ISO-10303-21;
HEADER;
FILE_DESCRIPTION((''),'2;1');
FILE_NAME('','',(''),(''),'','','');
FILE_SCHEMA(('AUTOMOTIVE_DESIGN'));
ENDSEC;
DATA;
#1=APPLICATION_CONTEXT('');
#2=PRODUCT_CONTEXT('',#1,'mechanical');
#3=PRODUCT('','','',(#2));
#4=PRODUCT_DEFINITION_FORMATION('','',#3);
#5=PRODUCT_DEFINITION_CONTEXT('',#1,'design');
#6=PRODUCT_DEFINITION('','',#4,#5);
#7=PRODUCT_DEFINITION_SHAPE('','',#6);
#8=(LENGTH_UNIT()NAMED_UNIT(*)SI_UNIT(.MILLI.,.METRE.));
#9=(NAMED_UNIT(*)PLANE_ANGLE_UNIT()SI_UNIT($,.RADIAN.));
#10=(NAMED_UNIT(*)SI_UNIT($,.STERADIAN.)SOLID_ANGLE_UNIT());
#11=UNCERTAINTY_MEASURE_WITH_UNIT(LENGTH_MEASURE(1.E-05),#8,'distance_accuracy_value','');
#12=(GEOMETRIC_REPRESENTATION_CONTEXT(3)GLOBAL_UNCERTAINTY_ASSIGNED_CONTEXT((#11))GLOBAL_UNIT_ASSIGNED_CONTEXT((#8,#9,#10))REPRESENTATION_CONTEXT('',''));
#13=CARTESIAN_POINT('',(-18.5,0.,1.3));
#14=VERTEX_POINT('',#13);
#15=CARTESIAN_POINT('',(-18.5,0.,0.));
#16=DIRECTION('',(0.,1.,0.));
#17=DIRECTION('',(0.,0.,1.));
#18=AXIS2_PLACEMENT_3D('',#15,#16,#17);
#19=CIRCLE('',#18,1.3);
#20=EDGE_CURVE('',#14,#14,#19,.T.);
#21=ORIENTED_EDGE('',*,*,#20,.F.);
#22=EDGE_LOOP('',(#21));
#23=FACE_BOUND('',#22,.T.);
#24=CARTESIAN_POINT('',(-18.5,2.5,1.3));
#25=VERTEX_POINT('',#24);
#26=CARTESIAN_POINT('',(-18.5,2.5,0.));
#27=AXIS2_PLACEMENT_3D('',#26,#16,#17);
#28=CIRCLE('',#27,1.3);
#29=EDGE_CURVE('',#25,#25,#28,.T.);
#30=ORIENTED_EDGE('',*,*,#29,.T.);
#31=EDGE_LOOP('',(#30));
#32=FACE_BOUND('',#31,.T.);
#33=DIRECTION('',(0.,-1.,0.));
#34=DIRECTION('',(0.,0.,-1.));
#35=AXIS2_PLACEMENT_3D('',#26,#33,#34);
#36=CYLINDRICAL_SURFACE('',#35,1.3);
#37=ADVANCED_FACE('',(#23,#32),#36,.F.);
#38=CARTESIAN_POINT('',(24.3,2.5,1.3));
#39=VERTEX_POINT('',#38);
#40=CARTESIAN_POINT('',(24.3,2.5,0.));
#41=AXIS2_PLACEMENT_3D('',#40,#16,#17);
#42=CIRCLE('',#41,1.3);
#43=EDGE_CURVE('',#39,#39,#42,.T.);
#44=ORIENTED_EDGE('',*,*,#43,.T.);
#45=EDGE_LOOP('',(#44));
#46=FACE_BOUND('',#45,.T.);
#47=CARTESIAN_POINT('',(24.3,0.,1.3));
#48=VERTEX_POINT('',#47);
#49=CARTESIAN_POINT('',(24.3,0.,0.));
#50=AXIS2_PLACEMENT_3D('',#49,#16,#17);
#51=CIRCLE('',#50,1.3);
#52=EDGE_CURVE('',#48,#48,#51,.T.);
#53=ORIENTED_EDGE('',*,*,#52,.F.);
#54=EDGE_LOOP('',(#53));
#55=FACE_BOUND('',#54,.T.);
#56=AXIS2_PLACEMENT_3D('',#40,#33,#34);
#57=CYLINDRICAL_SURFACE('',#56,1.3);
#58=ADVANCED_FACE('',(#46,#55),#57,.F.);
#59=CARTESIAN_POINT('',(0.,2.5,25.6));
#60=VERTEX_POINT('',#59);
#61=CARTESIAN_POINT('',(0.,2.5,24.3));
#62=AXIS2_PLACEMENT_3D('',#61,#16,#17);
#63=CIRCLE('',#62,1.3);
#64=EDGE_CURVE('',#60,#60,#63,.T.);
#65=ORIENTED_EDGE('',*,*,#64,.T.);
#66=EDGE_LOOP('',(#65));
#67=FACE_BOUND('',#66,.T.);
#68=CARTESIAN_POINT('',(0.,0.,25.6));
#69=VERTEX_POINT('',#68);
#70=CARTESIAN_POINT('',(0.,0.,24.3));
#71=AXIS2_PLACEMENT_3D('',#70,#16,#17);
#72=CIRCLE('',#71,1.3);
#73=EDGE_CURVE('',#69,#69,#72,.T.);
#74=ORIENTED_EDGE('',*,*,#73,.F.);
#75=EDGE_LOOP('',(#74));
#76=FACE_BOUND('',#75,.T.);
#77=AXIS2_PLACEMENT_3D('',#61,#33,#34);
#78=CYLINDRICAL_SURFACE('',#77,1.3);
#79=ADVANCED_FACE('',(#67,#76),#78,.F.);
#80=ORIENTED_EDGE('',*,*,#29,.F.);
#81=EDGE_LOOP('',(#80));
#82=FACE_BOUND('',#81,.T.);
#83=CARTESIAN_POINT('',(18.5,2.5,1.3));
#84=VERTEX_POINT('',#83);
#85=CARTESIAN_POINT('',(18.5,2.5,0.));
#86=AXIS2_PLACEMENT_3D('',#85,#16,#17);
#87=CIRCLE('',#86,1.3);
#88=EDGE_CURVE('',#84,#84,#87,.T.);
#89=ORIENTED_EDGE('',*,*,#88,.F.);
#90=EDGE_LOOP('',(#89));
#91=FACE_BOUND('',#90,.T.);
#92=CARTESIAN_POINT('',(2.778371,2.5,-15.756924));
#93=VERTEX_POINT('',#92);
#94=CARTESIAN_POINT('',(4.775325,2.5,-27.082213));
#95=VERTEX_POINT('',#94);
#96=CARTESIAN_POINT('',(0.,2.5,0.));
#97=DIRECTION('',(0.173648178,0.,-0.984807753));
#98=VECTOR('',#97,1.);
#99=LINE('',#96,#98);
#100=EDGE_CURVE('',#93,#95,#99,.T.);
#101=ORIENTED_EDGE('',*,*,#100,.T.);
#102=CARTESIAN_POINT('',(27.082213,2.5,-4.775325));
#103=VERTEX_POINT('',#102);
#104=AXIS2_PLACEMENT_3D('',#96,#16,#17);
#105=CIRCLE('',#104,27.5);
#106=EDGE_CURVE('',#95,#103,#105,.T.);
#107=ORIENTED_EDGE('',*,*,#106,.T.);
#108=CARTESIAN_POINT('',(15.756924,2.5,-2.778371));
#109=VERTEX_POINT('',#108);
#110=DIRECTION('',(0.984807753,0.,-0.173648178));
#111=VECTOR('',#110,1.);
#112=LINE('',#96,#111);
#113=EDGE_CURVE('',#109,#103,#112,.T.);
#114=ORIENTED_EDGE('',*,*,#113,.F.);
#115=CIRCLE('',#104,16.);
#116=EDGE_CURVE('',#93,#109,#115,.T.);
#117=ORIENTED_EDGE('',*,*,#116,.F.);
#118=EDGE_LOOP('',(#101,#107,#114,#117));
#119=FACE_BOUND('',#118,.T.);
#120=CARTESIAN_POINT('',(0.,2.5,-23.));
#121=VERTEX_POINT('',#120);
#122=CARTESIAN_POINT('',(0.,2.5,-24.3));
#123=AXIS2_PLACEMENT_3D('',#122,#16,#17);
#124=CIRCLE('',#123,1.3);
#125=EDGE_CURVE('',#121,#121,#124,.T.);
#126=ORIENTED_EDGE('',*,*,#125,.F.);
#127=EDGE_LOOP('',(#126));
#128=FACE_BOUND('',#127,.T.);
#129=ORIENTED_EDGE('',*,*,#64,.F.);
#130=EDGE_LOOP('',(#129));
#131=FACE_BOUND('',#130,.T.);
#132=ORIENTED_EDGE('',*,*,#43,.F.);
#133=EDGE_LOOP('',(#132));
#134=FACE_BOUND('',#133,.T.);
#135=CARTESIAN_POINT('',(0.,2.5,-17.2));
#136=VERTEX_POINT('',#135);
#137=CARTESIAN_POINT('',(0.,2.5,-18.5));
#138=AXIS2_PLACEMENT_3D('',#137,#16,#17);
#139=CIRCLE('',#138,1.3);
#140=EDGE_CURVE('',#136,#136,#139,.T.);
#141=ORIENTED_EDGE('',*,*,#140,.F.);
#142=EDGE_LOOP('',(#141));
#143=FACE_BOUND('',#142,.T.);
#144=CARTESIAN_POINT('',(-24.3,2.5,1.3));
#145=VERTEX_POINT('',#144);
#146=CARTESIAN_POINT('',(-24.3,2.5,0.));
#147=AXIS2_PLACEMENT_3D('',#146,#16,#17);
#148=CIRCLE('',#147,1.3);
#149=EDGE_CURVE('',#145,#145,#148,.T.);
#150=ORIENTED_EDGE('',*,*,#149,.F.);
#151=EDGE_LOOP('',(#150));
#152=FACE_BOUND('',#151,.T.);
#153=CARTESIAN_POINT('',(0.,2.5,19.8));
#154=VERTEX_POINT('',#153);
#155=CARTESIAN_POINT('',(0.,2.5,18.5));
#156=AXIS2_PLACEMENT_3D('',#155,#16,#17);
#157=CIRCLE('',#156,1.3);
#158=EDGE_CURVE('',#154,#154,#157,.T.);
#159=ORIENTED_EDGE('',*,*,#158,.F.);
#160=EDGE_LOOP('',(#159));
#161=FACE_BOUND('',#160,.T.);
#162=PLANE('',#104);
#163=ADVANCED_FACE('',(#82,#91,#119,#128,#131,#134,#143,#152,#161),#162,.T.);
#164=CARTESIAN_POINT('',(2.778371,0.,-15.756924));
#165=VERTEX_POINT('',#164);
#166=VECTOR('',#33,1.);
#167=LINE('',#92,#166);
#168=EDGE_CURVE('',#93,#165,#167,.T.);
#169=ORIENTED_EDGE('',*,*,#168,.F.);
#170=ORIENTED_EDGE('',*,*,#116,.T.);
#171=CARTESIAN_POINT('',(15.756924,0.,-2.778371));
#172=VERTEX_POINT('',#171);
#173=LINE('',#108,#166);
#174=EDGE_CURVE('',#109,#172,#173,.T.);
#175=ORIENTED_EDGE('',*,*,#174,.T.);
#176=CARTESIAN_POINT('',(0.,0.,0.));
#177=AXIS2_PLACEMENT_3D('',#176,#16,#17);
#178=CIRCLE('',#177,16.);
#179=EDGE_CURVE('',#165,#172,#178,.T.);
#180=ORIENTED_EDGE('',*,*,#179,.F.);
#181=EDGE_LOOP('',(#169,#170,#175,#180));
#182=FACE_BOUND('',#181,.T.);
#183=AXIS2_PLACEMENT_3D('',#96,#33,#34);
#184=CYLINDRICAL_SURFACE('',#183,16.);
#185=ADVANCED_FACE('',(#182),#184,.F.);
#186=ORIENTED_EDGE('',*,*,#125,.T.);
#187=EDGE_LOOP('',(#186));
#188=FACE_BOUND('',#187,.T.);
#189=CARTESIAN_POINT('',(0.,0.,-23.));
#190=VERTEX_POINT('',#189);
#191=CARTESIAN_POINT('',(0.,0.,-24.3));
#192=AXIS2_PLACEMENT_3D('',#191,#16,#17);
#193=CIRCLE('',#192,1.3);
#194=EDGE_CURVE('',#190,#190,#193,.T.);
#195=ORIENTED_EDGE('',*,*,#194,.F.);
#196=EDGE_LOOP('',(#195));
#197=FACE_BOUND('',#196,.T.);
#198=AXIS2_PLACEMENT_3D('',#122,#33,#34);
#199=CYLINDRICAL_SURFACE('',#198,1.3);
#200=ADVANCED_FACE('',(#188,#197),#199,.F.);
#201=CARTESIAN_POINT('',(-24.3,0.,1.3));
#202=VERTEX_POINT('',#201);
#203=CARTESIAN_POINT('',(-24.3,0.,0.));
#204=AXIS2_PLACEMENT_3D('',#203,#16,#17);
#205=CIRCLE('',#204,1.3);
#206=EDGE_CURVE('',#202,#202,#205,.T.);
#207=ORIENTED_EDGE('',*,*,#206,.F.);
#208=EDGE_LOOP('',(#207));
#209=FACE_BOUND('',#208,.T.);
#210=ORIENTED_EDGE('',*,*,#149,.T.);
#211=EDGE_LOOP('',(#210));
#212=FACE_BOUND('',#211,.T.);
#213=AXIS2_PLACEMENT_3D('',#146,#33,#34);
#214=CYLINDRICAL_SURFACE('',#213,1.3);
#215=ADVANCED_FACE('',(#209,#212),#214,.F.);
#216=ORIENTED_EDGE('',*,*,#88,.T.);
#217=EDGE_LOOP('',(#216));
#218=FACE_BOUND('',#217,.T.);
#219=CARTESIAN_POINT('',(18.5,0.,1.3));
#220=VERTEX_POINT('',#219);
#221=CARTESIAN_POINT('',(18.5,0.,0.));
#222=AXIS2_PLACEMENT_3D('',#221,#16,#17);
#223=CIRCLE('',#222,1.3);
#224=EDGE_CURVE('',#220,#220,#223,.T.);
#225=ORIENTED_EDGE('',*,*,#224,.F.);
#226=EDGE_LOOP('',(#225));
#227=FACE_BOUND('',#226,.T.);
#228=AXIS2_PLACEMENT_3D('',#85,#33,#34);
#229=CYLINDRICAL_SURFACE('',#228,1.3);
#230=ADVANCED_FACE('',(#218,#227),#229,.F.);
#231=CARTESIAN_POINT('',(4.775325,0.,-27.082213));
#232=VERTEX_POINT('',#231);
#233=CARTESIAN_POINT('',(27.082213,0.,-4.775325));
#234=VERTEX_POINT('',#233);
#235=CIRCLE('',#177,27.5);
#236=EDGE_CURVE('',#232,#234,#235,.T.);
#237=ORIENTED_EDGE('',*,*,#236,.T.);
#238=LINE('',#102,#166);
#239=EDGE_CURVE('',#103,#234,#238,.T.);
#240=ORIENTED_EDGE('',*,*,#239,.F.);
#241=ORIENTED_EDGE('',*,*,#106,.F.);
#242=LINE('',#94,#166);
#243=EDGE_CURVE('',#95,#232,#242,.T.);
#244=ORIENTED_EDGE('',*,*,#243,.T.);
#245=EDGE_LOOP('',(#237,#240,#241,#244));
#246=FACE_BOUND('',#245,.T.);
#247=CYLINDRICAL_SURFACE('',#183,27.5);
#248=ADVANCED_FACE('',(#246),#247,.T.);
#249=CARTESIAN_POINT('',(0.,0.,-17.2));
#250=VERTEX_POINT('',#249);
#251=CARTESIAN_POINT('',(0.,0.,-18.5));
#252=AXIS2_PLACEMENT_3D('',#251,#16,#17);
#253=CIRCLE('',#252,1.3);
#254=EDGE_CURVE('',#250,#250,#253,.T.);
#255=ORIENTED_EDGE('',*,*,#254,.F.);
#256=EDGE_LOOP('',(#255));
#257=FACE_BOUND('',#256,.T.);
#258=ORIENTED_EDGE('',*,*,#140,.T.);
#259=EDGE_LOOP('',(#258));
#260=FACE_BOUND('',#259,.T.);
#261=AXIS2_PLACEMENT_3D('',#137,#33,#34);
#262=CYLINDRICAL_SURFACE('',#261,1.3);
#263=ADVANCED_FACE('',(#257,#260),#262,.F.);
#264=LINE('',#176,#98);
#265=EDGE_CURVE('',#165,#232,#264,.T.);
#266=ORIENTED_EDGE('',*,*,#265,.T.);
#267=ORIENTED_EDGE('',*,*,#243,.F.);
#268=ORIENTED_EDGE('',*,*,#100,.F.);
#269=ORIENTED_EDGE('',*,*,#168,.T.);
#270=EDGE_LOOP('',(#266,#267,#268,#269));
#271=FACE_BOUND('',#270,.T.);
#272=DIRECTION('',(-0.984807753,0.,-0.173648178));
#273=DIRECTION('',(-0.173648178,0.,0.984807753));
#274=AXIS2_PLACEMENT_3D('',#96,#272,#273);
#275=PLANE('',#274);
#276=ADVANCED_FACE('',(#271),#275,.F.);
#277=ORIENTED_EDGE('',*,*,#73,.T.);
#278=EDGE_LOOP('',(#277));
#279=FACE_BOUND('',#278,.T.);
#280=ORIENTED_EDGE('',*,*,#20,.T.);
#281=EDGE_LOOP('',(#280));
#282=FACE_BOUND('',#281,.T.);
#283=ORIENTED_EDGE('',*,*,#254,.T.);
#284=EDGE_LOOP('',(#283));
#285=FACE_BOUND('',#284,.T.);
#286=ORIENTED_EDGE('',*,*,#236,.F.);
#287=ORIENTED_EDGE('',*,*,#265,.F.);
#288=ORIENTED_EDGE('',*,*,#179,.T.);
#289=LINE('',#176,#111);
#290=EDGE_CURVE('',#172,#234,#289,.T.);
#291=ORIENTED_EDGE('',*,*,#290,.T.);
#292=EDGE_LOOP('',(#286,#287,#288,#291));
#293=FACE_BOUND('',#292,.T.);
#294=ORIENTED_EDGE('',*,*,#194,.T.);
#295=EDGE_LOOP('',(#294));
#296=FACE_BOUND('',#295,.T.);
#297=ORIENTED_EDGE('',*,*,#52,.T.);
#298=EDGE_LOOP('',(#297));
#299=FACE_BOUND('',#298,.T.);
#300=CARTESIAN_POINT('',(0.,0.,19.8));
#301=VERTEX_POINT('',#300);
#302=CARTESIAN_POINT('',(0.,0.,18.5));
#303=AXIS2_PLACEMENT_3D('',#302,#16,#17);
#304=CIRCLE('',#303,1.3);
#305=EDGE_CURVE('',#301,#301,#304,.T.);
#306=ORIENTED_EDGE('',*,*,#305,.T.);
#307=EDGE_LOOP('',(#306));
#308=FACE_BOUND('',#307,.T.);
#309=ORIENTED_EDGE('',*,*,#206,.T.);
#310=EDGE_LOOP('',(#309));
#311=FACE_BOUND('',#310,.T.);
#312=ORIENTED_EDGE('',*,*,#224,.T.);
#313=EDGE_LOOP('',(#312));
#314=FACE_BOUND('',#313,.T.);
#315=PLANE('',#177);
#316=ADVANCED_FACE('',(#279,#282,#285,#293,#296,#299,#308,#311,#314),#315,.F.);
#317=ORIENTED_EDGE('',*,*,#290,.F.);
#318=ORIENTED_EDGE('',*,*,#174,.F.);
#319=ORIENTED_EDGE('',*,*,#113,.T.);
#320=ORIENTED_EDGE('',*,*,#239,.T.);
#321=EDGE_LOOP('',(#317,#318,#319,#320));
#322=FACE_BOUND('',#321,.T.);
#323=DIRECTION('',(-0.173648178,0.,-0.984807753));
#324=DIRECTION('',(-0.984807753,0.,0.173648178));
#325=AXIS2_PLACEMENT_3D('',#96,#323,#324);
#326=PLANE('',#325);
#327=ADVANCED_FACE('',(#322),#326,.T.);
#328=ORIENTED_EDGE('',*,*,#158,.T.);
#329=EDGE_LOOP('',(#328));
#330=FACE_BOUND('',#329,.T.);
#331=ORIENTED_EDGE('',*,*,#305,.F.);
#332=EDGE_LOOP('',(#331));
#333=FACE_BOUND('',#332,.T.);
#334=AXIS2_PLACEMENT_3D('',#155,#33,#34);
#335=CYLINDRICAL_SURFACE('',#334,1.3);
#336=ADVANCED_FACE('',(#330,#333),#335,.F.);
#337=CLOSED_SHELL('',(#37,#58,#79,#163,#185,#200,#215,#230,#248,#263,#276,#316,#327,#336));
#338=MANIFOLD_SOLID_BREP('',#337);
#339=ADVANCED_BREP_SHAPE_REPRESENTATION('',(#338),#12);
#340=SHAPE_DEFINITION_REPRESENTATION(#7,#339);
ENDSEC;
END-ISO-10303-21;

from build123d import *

# Parameters (mm, degrees)
SKETCH1_R           = 1.3
BOSS_EXTRUDE1_DEPTH = 2.5


with BuildPart() as part:
    # Sketch1 → Boss-Extrude1 (new body)
    with BuildSketch(Plane(origin=(0, 0, 0), x_dir=(1, 0, 0), z_dir=(0, 1, 0))):
        with BuildLine():
            ThreePointArc((16, 0), (-12.25671109, -10.284601755), (2.778370843, 15.756924048))
            Line((2.778370843, 15.756924048), (4.775324886, 27.082213208))
            ThreePointArc((4.775324886, 27.082213208), (-21.066222186, -17.676659266), (27.5, 0))
            ThreePointArc((27.5, 0), (27.395354198, 2.396782926), (27.082213208, 4.775324886))
            Line((27.082213208, 4.775324886), (15.756924048, 2.778370843))
            ThreePointArc((15.756924048, 2.778370843), (15.939115169, 1.394491884), (16, 0))
        make_face()
        with Locations(Location((0, -24.3, 0), (0, 0, 270))):
            Circle(SKETCH1_R, mode=Mode.SUBTRACT)
        with Locations(Location((0, -18.5, 0), (0, 0, 270))):
            Circle(SKETCH1_R, mode=Mode.SUBTRACT)
        with Locations(Location((-24.3, 0, 0), (0, 0, 270))):
            Circle(SKETCH1_R, mode=Mode.SUBTRACT)
        with Locations(Location((-18.5, 0, 0), (0, 0, 270))):
            Circle(SKETCH1_R, mode=Mode.SUBTRACT)
        with Locations(Location((0, 18.5, 0), (0, 0, 270))):
            Circle(SKETCH1_R, mode=Mode.SUBTRACT)
        with Locations(Location((18.5, 0, 0), (0, 0, 270))):
            Circle(SKETCH1_R, mode=Mode.SUBTRACT)
        with Locations(Location((24.3, 0, 0), (0, 0, 270))):
            Circle(SKETCH1_R, mode=Mode.SUBTRACT)
        with Locations(Location((0, 24.3, 0), (0, 0, 270))):
            Circle(SKETCH1_R, mode=Mode.SUBTRACT)
    extrude(amount=BOSS_EXTRUDE1_DEPTH)


solid = part.part
